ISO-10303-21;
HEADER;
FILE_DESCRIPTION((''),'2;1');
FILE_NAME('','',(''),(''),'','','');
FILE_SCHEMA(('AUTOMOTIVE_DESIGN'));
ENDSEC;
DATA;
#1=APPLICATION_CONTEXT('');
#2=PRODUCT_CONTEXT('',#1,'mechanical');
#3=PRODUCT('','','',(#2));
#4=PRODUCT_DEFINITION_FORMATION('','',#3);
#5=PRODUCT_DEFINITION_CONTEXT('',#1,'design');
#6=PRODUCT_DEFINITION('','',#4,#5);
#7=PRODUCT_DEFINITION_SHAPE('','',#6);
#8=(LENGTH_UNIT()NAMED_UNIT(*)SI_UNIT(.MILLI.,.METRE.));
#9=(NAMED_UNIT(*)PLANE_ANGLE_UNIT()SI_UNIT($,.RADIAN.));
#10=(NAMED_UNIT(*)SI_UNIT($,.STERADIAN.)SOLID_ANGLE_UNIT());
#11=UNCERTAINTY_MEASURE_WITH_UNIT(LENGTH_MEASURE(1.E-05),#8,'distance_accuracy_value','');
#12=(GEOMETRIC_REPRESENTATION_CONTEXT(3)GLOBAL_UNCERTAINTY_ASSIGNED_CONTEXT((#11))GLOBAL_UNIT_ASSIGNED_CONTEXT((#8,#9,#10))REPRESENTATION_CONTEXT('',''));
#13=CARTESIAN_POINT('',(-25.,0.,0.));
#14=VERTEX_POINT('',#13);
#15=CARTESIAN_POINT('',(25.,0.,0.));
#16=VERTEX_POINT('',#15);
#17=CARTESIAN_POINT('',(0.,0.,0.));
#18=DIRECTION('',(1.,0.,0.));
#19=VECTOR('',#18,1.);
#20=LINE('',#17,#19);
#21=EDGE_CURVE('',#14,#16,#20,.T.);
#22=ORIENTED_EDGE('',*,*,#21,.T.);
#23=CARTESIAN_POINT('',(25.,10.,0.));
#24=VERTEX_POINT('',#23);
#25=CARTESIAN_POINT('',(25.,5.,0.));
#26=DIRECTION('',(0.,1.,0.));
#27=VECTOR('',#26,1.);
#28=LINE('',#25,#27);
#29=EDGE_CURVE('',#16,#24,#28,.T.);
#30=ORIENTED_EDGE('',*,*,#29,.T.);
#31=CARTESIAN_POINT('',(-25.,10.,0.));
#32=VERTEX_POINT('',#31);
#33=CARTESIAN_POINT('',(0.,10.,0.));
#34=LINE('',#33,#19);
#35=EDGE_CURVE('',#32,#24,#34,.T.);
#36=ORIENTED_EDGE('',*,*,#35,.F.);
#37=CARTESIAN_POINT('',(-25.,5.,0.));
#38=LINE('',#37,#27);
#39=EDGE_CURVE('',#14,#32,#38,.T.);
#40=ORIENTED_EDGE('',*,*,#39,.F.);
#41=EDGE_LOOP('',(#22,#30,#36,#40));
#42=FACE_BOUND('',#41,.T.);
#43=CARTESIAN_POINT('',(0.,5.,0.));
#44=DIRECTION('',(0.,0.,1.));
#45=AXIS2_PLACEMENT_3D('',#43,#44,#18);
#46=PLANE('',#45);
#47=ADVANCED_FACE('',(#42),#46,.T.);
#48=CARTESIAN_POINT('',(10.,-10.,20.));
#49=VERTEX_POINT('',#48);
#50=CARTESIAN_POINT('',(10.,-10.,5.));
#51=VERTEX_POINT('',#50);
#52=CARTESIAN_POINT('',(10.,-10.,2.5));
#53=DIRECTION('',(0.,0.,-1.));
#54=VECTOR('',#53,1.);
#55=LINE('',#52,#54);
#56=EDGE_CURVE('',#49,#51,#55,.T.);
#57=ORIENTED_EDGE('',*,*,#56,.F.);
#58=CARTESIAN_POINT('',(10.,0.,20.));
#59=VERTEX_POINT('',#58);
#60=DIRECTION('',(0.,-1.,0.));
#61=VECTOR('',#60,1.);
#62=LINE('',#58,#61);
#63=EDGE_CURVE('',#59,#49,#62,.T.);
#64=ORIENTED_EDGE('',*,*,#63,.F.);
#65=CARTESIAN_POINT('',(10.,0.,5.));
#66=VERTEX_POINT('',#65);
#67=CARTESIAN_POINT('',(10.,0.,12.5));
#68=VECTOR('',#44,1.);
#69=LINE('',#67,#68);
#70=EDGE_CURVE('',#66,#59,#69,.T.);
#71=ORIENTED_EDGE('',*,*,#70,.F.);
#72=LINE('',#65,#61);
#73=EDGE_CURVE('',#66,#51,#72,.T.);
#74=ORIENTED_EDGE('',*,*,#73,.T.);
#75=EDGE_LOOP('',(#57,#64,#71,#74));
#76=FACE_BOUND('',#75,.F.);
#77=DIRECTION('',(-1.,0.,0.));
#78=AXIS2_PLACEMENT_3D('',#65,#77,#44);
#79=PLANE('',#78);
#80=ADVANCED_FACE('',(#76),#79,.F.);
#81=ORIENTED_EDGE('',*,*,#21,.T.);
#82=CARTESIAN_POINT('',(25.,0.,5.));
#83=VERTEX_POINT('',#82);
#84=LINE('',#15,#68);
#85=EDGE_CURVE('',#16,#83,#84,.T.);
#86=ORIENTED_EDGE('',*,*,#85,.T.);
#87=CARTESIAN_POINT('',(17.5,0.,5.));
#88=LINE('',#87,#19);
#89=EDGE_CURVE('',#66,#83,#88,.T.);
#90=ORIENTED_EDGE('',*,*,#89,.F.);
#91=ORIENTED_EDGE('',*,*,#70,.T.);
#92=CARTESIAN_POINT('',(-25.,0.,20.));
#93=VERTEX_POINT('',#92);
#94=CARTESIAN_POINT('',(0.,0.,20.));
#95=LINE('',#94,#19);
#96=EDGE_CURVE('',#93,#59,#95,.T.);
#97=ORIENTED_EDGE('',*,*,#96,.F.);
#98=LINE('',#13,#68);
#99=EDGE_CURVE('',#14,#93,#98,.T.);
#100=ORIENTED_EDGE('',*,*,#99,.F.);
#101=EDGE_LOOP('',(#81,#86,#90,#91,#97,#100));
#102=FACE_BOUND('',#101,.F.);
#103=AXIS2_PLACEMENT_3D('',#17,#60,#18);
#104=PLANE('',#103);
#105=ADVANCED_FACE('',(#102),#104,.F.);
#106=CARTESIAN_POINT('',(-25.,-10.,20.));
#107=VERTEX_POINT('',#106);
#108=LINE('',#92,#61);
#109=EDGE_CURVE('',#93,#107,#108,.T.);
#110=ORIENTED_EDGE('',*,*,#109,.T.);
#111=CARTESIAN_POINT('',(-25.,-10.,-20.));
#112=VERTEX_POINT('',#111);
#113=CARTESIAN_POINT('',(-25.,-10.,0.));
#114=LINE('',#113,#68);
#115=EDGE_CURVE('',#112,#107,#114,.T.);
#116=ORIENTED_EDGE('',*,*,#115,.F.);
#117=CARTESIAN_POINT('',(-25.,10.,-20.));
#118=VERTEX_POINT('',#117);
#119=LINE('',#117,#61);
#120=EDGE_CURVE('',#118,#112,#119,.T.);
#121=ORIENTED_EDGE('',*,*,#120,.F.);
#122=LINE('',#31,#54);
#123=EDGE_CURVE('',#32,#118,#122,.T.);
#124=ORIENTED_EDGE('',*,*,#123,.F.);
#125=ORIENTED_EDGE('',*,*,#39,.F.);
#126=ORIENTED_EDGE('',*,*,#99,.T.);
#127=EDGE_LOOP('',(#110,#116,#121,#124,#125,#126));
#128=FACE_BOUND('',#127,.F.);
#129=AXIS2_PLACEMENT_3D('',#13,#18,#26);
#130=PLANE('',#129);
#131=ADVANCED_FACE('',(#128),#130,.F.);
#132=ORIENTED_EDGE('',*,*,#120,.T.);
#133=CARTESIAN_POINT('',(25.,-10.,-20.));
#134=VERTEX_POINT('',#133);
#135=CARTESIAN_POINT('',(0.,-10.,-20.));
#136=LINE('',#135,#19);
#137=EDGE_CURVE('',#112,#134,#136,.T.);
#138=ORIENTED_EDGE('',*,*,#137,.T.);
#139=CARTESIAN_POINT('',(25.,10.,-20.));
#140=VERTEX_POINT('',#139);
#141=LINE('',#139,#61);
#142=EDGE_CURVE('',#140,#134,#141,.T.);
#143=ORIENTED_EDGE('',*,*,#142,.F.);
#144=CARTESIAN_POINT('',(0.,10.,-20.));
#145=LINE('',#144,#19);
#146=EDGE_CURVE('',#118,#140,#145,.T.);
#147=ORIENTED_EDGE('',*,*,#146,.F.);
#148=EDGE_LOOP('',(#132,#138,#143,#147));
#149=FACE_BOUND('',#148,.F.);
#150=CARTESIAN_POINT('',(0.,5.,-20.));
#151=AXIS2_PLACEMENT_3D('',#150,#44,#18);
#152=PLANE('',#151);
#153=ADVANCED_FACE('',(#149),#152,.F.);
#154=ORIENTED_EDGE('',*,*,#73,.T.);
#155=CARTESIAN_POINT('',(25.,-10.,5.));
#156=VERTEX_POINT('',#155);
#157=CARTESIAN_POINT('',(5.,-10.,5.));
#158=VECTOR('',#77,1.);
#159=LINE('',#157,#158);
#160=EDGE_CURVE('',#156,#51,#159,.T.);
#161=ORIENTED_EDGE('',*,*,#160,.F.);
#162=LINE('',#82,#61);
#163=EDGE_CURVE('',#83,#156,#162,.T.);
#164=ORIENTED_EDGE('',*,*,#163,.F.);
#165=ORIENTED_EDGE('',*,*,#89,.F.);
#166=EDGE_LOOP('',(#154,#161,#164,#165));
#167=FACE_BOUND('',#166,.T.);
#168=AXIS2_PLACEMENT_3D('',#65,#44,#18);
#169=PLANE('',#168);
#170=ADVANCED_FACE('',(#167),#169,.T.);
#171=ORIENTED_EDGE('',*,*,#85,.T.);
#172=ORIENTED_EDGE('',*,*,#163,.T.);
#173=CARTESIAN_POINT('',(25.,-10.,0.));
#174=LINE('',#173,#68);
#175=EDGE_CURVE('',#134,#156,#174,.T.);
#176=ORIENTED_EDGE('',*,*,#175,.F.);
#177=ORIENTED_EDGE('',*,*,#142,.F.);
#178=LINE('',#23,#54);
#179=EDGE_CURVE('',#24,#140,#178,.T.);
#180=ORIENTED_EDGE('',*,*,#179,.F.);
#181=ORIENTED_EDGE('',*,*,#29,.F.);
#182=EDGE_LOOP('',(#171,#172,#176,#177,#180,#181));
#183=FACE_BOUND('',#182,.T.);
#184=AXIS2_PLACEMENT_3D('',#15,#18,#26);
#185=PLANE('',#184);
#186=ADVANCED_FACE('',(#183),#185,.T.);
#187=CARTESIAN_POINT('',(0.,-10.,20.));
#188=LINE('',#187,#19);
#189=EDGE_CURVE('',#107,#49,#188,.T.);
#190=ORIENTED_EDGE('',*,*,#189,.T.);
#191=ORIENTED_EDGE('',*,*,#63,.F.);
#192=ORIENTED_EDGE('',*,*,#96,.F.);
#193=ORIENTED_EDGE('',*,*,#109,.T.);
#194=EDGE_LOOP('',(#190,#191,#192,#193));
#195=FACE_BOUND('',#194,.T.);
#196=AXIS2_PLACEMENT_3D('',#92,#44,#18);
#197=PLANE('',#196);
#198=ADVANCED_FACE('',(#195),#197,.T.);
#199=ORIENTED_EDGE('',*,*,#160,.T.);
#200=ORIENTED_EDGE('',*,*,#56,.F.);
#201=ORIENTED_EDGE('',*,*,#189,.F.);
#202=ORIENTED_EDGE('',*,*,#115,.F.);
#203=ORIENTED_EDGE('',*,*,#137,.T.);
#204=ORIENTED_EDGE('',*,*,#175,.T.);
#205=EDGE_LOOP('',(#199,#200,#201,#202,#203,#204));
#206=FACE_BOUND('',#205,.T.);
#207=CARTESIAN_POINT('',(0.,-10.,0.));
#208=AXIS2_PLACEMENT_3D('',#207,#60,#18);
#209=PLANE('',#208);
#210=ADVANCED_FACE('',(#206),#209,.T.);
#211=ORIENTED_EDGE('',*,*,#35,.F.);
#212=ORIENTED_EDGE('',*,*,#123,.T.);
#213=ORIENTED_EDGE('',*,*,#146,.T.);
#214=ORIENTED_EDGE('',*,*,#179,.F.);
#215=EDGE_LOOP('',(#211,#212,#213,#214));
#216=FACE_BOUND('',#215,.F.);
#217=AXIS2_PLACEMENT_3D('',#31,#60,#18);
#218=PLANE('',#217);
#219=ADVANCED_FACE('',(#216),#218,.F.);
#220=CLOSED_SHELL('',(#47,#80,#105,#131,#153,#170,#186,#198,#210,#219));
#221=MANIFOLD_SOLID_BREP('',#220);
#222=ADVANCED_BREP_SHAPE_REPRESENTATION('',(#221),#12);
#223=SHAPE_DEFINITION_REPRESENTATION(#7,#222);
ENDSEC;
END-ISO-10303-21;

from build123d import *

# Parameters (mm, degrees)
F0_W     = 50
F0_H     = 40
F1_DEPTH = 10
F2_W     = 15
F2_H     = 15
F3_DEPTH = 10.001
F4_W     = 50
F4_H     = 10
F5_DEPTH = 20


with BuildPart() as f1:
    # F0 (on Front) → F1 (new body)
    with BuildSketch(Plane.XZ):
        Rectangle(F0_W, F0_H)
    extrude(amount=F1_DEPTH)

    # F2 (on Front) → F3 (cut, through all)
    with BuildSketch(Plane.XZ):
        with Locations((17.5, 12.5)):
            Rectangle(F2_W, F2_H)
    extrude(amount=F3_DEPTH, mode=Mode.SUBTRACT)

    # F4 (on Top) → F5 (join)
    with BuildSketch(Plane.XY):
        with Locations((0, 5)):
            Rectangle(F4_W, F4_H)
    extrude(amount=-F5_DEPTH)


solid = f1.part
